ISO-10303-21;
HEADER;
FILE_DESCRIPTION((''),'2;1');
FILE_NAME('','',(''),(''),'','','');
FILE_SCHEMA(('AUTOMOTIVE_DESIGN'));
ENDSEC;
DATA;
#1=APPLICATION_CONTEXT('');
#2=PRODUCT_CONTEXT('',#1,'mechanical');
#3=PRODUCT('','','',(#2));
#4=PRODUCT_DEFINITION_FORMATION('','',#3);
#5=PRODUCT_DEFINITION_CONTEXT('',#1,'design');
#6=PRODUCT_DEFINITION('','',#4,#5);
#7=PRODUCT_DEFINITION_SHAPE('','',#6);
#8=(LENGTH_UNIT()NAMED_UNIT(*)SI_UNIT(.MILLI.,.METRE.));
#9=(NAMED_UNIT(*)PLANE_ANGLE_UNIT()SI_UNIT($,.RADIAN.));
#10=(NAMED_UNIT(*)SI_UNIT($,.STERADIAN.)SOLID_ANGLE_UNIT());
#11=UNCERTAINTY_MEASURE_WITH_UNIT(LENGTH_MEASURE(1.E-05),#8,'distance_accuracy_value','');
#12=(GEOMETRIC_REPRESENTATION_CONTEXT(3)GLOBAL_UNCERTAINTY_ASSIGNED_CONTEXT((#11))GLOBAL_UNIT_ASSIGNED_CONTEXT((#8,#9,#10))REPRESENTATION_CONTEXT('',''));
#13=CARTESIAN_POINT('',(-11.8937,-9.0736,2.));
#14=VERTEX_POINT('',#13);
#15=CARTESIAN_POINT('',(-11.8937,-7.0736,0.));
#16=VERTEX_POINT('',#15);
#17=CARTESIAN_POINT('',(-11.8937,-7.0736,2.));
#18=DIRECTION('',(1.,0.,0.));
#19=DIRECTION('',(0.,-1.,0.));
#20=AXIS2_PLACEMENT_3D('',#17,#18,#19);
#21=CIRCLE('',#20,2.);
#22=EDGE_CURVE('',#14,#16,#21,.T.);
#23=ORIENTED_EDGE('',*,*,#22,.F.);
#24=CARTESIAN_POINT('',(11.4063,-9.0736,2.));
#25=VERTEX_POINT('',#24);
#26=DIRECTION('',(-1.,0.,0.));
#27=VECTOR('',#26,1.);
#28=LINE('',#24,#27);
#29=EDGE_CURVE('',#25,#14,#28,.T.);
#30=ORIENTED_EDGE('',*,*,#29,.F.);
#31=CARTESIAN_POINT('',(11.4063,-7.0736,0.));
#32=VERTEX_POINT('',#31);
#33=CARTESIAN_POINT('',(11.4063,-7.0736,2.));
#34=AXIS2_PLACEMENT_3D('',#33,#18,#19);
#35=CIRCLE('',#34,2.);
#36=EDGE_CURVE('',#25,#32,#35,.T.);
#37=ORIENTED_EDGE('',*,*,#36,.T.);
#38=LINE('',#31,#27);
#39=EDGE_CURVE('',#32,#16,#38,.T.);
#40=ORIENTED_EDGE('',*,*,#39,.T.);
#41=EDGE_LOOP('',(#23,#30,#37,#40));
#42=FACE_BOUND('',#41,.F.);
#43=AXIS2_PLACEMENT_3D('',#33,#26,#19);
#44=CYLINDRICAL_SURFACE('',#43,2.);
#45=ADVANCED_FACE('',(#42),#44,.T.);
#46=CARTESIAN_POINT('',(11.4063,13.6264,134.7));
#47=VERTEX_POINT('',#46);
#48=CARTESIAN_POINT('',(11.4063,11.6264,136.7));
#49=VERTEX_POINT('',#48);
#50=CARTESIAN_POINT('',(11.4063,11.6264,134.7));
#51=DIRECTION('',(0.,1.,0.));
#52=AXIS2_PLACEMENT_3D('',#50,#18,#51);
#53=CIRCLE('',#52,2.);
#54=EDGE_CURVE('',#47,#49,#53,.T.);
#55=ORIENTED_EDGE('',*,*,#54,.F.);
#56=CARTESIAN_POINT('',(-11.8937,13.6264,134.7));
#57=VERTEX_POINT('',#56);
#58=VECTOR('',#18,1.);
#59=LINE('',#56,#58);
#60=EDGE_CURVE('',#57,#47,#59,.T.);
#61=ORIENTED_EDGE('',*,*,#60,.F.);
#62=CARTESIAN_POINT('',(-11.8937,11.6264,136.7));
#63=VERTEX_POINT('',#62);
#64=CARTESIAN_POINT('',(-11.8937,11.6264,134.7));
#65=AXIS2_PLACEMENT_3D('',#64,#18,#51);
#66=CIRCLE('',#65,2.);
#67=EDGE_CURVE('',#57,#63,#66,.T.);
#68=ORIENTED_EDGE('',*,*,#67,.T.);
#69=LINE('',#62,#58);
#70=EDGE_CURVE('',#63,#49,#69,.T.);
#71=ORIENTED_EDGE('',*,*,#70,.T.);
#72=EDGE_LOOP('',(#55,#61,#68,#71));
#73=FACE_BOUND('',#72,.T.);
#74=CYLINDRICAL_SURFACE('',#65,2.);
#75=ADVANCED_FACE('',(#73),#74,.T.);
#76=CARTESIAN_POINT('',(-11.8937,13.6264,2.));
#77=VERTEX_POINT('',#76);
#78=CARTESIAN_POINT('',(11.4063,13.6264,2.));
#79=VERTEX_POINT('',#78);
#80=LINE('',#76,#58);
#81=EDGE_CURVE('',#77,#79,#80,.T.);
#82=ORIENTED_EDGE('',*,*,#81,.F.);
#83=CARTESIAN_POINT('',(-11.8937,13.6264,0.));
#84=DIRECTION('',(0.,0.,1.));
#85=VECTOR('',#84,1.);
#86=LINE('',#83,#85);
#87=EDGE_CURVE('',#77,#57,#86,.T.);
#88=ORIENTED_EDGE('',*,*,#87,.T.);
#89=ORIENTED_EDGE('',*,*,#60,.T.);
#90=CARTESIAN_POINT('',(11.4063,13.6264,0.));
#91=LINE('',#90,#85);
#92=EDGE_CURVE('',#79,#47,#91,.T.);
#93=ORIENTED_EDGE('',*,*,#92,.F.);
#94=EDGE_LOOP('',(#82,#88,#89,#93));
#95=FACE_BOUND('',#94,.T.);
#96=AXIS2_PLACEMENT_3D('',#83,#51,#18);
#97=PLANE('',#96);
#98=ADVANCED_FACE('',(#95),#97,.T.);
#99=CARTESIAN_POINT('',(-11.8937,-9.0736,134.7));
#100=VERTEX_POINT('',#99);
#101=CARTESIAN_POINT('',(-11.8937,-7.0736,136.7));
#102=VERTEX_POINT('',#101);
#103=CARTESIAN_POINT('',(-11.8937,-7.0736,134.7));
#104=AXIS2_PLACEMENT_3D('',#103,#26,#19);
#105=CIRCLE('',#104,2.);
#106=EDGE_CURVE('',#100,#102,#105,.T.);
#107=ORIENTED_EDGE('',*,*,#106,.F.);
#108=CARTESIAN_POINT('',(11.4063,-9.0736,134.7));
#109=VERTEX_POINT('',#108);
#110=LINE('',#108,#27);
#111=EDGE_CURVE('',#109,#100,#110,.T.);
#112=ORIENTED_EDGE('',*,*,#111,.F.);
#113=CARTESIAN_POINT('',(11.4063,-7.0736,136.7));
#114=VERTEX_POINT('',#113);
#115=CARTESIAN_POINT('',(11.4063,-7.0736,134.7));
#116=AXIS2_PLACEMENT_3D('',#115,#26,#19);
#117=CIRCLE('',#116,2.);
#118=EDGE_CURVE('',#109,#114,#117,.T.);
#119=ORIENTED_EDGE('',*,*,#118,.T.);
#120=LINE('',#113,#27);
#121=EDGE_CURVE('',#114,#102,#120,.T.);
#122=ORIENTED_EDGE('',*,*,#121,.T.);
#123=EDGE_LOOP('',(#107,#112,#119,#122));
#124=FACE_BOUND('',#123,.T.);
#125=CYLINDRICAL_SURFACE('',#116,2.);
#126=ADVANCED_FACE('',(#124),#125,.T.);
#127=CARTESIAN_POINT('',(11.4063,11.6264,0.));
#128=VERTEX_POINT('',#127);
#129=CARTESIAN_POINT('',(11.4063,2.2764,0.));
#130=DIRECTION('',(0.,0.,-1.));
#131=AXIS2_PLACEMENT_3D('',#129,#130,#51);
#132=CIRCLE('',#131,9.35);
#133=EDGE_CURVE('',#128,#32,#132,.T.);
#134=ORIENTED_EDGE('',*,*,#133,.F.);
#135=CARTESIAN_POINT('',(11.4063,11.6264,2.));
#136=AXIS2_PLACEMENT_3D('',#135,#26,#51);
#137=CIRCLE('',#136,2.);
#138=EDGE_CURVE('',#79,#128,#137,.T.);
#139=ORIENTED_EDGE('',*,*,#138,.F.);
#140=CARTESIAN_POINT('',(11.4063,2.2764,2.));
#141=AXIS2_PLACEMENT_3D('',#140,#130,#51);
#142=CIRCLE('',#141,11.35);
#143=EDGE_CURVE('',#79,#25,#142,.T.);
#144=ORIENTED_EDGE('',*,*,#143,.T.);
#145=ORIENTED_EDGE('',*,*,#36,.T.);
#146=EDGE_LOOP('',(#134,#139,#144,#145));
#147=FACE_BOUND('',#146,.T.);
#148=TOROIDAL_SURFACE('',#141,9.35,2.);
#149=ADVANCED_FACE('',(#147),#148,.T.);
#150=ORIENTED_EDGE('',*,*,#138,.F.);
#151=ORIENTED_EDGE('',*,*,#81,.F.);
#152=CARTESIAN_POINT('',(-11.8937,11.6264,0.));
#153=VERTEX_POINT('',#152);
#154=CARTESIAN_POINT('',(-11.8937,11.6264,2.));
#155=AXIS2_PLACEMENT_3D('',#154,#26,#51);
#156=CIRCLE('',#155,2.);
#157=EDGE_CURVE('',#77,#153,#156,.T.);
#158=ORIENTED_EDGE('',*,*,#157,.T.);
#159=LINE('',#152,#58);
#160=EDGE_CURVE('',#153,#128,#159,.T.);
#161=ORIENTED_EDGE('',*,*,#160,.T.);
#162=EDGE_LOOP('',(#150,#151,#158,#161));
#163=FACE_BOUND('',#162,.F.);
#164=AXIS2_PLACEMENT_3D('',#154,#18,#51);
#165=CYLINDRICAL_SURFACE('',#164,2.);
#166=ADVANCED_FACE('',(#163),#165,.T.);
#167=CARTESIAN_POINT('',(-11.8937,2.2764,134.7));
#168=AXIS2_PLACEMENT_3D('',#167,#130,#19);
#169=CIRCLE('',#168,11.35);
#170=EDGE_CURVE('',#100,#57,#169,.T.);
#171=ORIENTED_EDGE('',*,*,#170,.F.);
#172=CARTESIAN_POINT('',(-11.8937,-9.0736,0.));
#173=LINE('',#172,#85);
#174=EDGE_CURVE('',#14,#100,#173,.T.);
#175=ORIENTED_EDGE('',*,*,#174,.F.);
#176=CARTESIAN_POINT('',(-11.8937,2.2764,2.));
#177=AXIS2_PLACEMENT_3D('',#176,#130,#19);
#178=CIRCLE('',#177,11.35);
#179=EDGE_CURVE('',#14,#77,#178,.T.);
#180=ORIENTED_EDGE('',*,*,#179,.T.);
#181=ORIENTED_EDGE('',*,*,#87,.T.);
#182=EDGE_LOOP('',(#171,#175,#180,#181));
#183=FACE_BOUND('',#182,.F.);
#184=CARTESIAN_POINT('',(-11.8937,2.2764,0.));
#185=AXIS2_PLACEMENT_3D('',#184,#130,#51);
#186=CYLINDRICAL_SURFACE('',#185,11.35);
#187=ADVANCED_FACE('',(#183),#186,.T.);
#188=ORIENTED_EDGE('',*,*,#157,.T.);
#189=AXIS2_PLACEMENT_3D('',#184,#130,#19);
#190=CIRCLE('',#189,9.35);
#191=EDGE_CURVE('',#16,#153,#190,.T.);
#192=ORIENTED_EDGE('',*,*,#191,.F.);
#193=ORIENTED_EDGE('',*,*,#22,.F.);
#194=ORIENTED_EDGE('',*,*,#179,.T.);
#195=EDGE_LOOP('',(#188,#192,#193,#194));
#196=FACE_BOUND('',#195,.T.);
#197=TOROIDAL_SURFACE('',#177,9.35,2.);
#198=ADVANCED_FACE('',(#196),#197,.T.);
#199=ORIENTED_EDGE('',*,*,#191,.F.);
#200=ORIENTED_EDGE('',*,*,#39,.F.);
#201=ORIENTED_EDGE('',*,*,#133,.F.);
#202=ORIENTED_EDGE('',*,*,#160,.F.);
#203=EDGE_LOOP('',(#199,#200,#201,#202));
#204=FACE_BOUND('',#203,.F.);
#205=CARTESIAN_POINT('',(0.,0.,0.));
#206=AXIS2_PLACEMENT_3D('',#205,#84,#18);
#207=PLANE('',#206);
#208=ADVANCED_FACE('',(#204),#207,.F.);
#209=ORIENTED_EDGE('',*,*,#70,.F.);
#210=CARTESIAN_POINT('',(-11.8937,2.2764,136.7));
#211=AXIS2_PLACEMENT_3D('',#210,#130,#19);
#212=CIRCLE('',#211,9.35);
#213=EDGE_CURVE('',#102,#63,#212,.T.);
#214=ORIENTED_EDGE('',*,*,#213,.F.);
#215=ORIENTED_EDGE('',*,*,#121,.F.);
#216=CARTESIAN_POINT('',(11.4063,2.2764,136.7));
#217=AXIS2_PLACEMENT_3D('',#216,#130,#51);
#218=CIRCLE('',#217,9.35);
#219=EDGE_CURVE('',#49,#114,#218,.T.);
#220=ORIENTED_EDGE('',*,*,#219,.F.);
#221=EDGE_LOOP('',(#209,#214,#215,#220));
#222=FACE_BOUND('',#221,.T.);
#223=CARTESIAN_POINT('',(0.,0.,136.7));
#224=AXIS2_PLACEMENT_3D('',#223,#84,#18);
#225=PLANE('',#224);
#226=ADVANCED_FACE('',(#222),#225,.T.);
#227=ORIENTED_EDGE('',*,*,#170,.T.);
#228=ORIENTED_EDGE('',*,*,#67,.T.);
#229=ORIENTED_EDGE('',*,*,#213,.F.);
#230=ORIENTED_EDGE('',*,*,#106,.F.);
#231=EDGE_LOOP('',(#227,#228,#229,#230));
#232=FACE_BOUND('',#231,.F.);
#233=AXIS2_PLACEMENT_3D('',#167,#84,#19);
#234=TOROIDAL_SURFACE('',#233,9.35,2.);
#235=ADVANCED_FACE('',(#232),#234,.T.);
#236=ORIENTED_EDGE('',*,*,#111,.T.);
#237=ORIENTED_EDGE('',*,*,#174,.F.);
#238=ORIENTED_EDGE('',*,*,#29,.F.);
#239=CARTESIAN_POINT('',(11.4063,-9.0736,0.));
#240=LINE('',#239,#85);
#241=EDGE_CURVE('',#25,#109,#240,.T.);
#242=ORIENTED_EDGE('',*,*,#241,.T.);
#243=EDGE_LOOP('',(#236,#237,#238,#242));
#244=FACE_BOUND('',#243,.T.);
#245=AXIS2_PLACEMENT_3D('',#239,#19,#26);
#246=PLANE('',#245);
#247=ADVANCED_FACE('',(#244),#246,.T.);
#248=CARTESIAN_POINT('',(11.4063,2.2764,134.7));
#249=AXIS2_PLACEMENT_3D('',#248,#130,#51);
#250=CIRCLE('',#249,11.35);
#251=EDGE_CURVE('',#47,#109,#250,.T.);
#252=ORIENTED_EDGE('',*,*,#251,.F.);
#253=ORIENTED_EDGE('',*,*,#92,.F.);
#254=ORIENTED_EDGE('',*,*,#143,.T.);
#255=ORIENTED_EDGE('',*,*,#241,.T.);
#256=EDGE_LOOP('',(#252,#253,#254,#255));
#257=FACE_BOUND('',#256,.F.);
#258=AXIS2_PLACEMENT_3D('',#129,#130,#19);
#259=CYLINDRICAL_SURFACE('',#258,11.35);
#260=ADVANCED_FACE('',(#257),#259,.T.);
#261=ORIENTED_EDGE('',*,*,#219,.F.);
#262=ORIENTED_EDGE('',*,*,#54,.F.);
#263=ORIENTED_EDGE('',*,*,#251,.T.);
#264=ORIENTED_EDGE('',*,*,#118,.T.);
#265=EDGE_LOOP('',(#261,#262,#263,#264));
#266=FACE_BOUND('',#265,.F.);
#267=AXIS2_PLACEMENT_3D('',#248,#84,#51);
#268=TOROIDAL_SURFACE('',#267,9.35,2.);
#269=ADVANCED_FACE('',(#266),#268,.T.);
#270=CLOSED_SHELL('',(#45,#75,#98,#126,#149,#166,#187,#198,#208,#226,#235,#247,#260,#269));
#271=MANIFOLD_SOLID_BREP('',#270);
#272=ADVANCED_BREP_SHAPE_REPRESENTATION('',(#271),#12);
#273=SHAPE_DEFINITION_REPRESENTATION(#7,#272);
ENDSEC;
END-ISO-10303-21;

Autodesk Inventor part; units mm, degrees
ref_plane "YZ Plane" through (0, 0, 0) normal (1, 0, 0) x (0, 1, 0)
ref_plane "XZ Plane" through (0, 0, 0) normal (0, 1, 0) x (-1, 0, 0)
ref_plane "XY Plane" through (0, 0, 0) normal (0, 0, 1) x (1, 0, 0)
sketch "スケッチ1" plane through (0, 0, 0) normal (0, 0, 1) x (1, 0, 0)
  line L0 (-11.8937, 2.2764) -> (11.4063, 2.2764) construction
  line L1 (-11.8937, 13.6264) -> (11.4063, 13.6264)
  line L2 (11.4063, -9.0736) -> (-11.8937, -9.0736)
  arc A0 (-11.8937, 13.6264) -> (-11.8937, -9.0736) centre (-11.8937, 2.2764) ccw
  arc A1 (11.4063, -9.0736) -> (11.4063, 13.6264) centre (11.4063, 2.2764) ccw
  point P0 (0, 0)
  point P1 (-0.2437, 2.2764)
  dimension "d0" = 46
  dimension "d1" = 22.7
extrude "押し出し1" add sketch "スケッチ1" along normal blind 136.7
fillet "フィレット1" radius 2 8 edges at (-0.2437, 13.6264, 136.7) (-23.2437, 2.2764, 136.7) (-0.2437, -9.0736, 136.7) (22.7563, 2.2764, 136.7) (-0.2437, -9.0736, 0) (-23.2437, 2.2764, 0) (-0.2437, 13.6264, 0) (22.7563, 2.2764, 0)
properties part number "バッテリー"
